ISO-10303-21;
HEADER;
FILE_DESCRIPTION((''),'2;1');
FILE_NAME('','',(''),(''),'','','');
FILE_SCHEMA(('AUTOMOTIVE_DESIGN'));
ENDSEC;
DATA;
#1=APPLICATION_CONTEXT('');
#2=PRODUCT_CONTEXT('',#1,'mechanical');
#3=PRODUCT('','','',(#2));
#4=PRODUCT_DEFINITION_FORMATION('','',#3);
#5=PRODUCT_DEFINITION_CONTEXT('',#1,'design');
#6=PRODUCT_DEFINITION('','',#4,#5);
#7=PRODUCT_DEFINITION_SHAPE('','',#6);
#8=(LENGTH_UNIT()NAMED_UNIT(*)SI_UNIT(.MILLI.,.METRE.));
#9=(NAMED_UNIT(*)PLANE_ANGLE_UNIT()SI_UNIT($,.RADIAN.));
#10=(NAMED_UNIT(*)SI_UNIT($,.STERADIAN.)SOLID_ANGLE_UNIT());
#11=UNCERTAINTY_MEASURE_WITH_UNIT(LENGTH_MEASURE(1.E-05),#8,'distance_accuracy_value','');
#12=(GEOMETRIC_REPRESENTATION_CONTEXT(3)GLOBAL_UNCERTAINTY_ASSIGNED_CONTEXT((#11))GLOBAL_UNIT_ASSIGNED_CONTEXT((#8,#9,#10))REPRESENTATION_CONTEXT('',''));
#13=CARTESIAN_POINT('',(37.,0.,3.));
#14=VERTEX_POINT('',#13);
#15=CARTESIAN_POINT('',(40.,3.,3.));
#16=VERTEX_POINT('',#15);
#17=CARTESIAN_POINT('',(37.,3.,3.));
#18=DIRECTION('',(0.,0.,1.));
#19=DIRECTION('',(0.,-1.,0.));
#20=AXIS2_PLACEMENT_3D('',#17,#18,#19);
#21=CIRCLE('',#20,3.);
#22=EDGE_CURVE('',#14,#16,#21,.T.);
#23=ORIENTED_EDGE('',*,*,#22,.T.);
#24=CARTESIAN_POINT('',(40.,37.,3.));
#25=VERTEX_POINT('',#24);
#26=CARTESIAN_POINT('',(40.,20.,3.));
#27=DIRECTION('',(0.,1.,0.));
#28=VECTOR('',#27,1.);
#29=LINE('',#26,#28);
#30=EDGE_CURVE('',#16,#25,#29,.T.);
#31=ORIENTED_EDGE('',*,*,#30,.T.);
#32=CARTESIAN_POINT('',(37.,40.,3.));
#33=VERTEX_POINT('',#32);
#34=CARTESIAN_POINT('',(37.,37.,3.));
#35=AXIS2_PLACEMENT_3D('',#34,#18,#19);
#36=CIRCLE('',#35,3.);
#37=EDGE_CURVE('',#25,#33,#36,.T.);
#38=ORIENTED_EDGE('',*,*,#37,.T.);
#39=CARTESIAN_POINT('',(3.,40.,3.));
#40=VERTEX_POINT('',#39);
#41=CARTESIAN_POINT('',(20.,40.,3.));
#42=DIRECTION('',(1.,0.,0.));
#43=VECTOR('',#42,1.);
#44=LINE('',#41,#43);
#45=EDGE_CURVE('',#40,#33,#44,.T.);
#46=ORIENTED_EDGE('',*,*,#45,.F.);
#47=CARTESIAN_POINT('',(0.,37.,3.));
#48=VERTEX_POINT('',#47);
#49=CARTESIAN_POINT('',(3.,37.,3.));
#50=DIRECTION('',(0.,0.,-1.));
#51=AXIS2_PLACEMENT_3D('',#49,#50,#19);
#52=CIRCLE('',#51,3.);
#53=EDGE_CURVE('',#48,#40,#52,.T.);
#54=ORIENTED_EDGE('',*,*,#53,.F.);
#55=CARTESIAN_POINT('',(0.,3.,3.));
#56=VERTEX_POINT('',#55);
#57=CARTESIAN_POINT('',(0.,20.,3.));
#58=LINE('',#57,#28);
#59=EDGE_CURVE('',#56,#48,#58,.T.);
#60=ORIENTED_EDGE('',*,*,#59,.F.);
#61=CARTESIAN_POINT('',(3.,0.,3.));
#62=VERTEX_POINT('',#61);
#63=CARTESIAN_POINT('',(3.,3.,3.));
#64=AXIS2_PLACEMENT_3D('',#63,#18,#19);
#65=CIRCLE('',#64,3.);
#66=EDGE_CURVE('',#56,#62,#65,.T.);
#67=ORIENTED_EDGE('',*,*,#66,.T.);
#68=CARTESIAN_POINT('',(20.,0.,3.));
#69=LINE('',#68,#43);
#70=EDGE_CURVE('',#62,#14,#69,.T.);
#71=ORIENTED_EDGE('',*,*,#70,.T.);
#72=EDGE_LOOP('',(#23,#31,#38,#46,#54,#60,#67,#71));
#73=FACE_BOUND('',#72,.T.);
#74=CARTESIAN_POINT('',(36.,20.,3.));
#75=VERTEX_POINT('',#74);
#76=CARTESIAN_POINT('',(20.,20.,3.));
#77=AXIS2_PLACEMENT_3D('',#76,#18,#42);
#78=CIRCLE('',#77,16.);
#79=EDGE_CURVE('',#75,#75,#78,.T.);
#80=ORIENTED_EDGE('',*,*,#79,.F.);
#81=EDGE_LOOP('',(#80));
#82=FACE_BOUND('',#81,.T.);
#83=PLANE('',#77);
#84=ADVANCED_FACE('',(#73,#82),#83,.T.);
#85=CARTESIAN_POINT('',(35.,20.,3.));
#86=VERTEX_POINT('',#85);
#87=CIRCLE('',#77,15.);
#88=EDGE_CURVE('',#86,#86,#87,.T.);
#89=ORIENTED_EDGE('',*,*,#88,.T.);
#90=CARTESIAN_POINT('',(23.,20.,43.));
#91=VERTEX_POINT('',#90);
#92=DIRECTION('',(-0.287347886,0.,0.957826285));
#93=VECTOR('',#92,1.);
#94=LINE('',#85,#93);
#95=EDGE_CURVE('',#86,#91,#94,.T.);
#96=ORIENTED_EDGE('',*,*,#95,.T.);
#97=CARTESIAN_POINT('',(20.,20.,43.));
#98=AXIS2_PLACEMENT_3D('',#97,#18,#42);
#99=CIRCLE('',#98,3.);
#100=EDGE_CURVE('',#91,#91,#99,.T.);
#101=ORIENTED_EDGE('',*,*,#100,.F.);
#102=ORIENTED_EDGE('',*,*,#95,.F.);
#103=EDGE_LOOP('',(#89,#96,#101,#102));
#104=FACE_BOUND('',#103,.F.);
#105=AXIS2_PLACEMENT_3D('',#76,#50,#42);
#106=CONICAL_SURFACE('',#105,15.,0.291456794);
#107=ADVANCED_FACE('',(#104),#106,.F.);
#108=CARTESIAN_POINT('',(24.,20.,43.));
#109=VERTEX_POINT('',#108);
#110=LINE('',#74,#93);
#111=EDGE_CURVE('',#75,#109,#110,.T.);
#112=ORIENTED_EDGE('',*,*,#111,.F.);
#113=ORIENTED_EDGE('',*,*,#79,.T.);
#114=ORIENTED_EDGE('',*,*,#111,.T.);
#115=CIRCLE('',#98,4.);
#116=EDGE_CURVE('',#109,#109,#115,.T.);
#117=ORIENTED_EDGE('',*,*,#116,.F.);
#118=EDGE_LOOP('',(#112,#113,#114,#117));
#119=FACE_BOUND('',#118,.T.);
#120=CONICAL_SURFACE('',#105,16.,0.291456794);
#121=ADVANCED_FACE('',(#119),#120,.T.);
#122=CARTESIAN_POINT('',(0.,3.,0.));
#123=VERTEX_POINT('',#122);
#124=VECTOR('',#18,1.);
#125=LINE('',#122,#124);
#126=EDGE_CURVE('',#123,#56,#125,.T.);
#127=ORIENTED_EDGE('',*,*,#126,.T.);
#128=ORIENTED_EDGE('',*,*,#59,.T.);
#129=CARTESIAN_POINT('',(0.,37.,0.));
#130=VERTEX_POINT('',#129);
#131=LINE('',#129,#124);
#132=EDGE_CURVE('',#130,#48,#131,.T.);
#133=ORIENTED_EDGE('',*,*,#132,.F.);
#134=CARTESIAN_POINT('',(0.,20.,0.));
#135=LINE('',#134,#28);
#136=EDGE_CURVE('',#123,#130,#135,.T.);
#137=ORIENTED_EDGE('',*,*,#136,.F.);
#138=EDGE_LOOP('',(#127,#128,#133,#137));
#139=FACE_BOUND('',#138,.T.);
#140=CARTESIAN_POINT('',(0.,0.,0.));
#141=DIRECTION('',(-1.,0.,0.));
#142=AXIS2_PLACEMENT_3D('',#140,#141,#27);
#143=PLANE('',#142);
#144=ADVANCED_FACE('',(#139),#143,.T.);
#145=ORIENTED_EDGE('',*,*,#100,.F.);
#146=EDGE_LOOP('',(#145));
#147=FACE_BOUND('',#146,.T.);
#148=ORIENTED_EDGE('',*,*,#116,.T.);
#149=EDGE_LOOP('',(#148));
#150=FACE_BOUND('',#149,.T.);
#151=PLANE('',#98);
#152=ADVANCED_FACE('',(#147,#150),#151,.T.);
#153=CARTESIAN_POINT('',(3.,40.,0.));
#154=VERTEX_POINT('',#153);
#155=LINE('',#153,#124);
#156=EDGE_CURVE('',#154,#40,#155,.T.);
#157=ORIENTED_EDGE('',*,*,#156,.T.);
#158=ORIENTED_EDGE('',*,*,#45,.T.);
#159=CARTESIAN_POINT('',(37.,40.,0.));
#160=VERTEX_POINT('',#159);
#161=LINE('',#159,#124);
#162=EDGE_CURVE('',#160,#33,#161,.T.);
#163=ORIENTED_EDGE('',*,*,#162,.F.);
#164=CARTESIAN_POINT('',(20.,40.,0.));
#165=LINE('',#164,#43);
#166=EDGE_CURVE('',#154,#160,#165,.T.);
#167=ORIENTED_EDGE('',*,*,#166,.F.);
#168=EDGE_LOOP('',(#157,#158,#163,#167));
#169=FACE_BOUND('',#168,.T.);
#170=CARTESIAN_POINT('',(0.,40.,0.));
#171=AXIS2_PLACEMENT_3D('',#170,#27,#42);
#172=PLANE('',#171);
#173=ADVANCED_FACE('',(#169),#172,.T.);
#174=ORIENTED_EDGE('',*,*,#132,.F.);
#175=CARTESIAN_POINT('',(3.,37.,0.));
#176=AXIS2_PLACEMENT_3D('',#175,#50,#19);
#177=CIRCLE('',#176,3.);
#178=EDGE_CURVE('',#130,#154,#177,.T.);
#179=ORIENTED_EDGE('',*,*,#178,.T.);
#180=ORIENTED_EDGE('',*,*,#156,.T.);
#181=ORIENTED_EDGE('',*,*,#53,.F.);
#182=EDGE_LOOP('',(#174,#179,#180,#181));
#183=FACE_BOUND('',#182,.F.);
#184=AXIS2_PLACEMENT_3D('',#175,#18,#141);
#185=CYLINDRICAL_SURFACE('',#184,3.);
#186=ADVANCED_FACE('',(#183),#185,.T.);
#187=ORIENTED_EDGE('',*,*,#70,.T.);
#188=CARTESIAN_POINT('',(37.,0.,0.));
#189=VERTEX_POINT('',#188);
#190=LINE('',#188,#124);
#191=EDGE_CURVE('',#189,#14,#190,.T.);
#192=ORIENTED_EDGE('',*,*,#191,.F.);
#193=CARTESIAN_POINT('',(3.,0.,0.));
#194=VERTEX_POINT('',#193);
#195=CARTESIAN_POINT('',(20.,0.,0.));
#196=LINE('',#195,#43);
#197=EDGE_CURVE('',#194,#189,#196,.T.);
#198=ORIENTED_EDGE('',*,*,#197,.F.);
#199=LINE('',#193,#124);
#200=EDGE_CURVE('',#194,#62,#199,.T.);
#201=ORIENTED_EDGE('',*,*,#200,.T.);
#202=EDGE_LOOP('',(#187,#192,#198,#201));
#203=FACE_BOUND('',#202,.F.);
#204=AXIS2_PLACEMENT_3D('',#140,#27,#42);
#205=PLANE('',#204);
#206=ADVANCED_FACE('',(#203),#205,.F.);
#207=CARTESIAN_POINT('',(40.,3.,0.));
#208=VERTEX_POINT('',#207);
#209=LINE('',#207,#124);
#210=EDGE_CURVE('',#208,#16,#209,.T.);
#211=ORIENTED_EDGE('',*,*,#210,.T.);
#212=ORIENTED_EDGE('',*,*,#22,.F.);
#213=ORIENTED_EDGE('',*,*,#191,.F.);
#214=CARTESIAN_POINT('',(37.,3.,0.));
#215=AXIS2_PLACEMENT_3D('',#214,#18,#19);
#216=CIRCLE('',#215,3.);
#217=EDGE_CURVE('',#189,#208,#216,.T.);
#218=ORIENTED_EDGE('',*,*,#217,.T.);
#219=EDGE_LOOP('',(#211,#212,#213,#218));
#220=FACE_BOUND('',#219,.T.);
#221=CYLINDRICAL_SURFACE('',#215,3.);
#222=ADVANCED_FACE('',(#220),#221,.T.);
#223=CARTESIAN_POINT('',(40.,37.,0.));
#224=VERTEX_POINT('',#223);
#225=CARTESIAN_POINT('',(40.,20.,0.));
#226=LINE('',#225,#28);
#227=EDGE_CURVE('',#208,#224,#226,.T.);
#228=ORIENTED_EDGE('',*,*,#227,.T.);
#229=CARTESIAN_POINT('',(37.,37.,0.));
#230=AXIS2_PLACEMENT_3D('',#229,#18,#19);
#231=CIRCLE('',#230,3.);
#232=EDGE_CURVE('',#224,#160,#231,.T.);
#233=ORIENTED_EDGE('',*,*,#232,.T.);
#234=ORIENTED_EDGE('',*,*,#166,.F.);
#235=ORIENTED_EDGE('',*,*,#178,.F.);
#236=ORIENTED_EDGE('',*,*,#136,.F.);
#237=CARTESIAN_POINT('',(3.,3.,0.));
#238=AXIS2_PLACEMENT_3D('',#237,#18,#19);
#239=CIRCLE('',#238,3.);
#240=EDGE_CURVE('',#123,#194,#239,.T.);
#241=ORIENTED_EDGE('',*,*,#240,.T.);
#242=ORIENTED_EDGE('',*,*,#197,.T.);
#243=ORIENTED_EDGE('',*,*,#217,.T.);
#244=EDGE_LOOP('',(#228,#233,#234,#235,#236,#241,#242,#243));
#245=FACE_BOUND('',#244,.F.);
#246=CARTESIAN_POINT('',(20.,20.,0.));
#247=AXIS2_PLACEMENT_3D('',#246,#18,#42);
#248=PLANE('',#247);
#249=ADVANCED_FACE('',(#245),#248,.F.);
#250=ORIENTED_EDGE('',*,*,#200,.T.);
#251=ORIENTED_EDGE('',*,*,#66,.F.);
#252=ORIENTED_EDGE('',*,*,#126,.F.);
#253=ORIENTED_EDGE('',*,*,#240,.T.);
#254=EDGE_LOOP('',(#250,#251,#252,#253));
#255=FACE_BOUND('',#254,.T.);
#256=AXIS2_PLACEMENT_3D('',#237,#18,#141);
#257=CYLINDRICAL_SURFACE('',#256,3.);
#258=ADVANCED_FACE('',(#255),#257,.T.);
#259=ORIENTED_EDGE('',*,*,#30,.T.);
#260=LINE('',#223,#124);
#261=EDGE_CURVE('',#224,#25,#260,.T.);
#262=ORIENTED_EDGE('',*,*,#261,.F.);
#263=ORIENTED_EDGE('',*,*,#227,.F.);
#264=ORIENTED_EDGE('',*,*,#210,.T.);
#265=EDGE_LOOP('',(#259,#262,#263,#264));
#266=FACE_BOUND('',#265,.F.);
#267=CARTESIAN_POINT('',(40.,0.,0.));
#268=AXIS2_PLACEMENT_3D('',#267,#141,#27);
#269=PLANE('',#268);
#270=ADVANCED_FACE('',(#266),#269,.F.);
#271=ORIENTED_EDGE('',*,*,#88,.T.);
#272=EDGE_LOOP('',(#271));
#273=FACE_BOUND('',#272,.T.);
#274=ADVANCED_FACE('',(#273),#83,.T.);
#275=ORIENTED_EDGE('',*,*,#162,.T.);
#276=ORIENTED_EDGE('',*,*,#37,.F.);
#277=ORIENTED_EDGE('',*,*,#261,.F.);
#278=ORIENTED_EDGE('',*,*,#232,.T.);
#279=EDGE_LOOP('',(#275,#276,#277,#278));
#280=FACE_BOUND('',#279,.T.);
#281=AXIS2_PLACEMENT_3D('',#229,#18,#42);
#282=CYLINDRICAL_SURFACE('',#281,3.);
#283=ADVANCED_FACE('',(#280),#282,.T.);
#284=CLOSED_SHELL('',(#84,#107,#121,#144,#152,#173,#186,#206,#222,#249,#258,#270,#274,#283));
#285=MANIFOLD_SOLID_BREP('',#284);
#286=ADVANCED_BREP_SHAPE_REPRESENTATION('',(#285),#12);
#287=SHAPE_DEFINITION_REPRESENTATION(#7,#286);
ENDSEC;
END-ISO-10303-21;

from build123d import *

# Parameters (mm, degrees)
BOX_W     = 40
BOX_H     = 40
BOX_DEPTH = 3
FILLET_R  = 3


with BuildPart() as cone001:
    # Cone001 → Cone001 (revolve)
    with BuildSketch(Plane(origin=(20, 20, 3), x_dir=(1, 0, 0), z_dir=(0, -1, 0))):
        Polygon((0, 0), (15, 0), (3, 40), (0, 40), align=None)
    revolve(axis=Axis((20, 20, 3), (0, 0, 1)))


with BuildPart() as cut:
    # Cone → Cone (revolve)
    with BuildSketch(Plane(origin=(20, 20, 3), x_dir=(1, 0, 0), z_dir=(0, -1, 0))):
        Polygon((0, 0), (16, 0), (4, 40), (0, 40), align=None)
    revolve(axis=Axis((20, 20, 3), (0, 0, 1)))

    # Cut: cut Cone001
    add(cone001.part, mode=Mode.SUBTRACT)


with BuildPart() as con_trafic:
    # Box → Box (new body)
    with BuildSketch(Plane.XY):
        with Locations((20, 20)):
            Rectangle(BOX_W, BOX_H)
    extrude(amount=BOX_DEPTH)

    # Fillet
    fillet_edges = [con_trafic.edges().sort_by_distance(p)[0] for p in [
        (0, 0, 1.5),
        (0, 40, 1.5),
        (40, 0, 1.5),
        (40, 40, 1.5),
    ]]
    fillet(fillet_edges, radius=FILLET_R)

    # Fusion: union Cut
    add(cut.part)


solid = con_trafic.part
